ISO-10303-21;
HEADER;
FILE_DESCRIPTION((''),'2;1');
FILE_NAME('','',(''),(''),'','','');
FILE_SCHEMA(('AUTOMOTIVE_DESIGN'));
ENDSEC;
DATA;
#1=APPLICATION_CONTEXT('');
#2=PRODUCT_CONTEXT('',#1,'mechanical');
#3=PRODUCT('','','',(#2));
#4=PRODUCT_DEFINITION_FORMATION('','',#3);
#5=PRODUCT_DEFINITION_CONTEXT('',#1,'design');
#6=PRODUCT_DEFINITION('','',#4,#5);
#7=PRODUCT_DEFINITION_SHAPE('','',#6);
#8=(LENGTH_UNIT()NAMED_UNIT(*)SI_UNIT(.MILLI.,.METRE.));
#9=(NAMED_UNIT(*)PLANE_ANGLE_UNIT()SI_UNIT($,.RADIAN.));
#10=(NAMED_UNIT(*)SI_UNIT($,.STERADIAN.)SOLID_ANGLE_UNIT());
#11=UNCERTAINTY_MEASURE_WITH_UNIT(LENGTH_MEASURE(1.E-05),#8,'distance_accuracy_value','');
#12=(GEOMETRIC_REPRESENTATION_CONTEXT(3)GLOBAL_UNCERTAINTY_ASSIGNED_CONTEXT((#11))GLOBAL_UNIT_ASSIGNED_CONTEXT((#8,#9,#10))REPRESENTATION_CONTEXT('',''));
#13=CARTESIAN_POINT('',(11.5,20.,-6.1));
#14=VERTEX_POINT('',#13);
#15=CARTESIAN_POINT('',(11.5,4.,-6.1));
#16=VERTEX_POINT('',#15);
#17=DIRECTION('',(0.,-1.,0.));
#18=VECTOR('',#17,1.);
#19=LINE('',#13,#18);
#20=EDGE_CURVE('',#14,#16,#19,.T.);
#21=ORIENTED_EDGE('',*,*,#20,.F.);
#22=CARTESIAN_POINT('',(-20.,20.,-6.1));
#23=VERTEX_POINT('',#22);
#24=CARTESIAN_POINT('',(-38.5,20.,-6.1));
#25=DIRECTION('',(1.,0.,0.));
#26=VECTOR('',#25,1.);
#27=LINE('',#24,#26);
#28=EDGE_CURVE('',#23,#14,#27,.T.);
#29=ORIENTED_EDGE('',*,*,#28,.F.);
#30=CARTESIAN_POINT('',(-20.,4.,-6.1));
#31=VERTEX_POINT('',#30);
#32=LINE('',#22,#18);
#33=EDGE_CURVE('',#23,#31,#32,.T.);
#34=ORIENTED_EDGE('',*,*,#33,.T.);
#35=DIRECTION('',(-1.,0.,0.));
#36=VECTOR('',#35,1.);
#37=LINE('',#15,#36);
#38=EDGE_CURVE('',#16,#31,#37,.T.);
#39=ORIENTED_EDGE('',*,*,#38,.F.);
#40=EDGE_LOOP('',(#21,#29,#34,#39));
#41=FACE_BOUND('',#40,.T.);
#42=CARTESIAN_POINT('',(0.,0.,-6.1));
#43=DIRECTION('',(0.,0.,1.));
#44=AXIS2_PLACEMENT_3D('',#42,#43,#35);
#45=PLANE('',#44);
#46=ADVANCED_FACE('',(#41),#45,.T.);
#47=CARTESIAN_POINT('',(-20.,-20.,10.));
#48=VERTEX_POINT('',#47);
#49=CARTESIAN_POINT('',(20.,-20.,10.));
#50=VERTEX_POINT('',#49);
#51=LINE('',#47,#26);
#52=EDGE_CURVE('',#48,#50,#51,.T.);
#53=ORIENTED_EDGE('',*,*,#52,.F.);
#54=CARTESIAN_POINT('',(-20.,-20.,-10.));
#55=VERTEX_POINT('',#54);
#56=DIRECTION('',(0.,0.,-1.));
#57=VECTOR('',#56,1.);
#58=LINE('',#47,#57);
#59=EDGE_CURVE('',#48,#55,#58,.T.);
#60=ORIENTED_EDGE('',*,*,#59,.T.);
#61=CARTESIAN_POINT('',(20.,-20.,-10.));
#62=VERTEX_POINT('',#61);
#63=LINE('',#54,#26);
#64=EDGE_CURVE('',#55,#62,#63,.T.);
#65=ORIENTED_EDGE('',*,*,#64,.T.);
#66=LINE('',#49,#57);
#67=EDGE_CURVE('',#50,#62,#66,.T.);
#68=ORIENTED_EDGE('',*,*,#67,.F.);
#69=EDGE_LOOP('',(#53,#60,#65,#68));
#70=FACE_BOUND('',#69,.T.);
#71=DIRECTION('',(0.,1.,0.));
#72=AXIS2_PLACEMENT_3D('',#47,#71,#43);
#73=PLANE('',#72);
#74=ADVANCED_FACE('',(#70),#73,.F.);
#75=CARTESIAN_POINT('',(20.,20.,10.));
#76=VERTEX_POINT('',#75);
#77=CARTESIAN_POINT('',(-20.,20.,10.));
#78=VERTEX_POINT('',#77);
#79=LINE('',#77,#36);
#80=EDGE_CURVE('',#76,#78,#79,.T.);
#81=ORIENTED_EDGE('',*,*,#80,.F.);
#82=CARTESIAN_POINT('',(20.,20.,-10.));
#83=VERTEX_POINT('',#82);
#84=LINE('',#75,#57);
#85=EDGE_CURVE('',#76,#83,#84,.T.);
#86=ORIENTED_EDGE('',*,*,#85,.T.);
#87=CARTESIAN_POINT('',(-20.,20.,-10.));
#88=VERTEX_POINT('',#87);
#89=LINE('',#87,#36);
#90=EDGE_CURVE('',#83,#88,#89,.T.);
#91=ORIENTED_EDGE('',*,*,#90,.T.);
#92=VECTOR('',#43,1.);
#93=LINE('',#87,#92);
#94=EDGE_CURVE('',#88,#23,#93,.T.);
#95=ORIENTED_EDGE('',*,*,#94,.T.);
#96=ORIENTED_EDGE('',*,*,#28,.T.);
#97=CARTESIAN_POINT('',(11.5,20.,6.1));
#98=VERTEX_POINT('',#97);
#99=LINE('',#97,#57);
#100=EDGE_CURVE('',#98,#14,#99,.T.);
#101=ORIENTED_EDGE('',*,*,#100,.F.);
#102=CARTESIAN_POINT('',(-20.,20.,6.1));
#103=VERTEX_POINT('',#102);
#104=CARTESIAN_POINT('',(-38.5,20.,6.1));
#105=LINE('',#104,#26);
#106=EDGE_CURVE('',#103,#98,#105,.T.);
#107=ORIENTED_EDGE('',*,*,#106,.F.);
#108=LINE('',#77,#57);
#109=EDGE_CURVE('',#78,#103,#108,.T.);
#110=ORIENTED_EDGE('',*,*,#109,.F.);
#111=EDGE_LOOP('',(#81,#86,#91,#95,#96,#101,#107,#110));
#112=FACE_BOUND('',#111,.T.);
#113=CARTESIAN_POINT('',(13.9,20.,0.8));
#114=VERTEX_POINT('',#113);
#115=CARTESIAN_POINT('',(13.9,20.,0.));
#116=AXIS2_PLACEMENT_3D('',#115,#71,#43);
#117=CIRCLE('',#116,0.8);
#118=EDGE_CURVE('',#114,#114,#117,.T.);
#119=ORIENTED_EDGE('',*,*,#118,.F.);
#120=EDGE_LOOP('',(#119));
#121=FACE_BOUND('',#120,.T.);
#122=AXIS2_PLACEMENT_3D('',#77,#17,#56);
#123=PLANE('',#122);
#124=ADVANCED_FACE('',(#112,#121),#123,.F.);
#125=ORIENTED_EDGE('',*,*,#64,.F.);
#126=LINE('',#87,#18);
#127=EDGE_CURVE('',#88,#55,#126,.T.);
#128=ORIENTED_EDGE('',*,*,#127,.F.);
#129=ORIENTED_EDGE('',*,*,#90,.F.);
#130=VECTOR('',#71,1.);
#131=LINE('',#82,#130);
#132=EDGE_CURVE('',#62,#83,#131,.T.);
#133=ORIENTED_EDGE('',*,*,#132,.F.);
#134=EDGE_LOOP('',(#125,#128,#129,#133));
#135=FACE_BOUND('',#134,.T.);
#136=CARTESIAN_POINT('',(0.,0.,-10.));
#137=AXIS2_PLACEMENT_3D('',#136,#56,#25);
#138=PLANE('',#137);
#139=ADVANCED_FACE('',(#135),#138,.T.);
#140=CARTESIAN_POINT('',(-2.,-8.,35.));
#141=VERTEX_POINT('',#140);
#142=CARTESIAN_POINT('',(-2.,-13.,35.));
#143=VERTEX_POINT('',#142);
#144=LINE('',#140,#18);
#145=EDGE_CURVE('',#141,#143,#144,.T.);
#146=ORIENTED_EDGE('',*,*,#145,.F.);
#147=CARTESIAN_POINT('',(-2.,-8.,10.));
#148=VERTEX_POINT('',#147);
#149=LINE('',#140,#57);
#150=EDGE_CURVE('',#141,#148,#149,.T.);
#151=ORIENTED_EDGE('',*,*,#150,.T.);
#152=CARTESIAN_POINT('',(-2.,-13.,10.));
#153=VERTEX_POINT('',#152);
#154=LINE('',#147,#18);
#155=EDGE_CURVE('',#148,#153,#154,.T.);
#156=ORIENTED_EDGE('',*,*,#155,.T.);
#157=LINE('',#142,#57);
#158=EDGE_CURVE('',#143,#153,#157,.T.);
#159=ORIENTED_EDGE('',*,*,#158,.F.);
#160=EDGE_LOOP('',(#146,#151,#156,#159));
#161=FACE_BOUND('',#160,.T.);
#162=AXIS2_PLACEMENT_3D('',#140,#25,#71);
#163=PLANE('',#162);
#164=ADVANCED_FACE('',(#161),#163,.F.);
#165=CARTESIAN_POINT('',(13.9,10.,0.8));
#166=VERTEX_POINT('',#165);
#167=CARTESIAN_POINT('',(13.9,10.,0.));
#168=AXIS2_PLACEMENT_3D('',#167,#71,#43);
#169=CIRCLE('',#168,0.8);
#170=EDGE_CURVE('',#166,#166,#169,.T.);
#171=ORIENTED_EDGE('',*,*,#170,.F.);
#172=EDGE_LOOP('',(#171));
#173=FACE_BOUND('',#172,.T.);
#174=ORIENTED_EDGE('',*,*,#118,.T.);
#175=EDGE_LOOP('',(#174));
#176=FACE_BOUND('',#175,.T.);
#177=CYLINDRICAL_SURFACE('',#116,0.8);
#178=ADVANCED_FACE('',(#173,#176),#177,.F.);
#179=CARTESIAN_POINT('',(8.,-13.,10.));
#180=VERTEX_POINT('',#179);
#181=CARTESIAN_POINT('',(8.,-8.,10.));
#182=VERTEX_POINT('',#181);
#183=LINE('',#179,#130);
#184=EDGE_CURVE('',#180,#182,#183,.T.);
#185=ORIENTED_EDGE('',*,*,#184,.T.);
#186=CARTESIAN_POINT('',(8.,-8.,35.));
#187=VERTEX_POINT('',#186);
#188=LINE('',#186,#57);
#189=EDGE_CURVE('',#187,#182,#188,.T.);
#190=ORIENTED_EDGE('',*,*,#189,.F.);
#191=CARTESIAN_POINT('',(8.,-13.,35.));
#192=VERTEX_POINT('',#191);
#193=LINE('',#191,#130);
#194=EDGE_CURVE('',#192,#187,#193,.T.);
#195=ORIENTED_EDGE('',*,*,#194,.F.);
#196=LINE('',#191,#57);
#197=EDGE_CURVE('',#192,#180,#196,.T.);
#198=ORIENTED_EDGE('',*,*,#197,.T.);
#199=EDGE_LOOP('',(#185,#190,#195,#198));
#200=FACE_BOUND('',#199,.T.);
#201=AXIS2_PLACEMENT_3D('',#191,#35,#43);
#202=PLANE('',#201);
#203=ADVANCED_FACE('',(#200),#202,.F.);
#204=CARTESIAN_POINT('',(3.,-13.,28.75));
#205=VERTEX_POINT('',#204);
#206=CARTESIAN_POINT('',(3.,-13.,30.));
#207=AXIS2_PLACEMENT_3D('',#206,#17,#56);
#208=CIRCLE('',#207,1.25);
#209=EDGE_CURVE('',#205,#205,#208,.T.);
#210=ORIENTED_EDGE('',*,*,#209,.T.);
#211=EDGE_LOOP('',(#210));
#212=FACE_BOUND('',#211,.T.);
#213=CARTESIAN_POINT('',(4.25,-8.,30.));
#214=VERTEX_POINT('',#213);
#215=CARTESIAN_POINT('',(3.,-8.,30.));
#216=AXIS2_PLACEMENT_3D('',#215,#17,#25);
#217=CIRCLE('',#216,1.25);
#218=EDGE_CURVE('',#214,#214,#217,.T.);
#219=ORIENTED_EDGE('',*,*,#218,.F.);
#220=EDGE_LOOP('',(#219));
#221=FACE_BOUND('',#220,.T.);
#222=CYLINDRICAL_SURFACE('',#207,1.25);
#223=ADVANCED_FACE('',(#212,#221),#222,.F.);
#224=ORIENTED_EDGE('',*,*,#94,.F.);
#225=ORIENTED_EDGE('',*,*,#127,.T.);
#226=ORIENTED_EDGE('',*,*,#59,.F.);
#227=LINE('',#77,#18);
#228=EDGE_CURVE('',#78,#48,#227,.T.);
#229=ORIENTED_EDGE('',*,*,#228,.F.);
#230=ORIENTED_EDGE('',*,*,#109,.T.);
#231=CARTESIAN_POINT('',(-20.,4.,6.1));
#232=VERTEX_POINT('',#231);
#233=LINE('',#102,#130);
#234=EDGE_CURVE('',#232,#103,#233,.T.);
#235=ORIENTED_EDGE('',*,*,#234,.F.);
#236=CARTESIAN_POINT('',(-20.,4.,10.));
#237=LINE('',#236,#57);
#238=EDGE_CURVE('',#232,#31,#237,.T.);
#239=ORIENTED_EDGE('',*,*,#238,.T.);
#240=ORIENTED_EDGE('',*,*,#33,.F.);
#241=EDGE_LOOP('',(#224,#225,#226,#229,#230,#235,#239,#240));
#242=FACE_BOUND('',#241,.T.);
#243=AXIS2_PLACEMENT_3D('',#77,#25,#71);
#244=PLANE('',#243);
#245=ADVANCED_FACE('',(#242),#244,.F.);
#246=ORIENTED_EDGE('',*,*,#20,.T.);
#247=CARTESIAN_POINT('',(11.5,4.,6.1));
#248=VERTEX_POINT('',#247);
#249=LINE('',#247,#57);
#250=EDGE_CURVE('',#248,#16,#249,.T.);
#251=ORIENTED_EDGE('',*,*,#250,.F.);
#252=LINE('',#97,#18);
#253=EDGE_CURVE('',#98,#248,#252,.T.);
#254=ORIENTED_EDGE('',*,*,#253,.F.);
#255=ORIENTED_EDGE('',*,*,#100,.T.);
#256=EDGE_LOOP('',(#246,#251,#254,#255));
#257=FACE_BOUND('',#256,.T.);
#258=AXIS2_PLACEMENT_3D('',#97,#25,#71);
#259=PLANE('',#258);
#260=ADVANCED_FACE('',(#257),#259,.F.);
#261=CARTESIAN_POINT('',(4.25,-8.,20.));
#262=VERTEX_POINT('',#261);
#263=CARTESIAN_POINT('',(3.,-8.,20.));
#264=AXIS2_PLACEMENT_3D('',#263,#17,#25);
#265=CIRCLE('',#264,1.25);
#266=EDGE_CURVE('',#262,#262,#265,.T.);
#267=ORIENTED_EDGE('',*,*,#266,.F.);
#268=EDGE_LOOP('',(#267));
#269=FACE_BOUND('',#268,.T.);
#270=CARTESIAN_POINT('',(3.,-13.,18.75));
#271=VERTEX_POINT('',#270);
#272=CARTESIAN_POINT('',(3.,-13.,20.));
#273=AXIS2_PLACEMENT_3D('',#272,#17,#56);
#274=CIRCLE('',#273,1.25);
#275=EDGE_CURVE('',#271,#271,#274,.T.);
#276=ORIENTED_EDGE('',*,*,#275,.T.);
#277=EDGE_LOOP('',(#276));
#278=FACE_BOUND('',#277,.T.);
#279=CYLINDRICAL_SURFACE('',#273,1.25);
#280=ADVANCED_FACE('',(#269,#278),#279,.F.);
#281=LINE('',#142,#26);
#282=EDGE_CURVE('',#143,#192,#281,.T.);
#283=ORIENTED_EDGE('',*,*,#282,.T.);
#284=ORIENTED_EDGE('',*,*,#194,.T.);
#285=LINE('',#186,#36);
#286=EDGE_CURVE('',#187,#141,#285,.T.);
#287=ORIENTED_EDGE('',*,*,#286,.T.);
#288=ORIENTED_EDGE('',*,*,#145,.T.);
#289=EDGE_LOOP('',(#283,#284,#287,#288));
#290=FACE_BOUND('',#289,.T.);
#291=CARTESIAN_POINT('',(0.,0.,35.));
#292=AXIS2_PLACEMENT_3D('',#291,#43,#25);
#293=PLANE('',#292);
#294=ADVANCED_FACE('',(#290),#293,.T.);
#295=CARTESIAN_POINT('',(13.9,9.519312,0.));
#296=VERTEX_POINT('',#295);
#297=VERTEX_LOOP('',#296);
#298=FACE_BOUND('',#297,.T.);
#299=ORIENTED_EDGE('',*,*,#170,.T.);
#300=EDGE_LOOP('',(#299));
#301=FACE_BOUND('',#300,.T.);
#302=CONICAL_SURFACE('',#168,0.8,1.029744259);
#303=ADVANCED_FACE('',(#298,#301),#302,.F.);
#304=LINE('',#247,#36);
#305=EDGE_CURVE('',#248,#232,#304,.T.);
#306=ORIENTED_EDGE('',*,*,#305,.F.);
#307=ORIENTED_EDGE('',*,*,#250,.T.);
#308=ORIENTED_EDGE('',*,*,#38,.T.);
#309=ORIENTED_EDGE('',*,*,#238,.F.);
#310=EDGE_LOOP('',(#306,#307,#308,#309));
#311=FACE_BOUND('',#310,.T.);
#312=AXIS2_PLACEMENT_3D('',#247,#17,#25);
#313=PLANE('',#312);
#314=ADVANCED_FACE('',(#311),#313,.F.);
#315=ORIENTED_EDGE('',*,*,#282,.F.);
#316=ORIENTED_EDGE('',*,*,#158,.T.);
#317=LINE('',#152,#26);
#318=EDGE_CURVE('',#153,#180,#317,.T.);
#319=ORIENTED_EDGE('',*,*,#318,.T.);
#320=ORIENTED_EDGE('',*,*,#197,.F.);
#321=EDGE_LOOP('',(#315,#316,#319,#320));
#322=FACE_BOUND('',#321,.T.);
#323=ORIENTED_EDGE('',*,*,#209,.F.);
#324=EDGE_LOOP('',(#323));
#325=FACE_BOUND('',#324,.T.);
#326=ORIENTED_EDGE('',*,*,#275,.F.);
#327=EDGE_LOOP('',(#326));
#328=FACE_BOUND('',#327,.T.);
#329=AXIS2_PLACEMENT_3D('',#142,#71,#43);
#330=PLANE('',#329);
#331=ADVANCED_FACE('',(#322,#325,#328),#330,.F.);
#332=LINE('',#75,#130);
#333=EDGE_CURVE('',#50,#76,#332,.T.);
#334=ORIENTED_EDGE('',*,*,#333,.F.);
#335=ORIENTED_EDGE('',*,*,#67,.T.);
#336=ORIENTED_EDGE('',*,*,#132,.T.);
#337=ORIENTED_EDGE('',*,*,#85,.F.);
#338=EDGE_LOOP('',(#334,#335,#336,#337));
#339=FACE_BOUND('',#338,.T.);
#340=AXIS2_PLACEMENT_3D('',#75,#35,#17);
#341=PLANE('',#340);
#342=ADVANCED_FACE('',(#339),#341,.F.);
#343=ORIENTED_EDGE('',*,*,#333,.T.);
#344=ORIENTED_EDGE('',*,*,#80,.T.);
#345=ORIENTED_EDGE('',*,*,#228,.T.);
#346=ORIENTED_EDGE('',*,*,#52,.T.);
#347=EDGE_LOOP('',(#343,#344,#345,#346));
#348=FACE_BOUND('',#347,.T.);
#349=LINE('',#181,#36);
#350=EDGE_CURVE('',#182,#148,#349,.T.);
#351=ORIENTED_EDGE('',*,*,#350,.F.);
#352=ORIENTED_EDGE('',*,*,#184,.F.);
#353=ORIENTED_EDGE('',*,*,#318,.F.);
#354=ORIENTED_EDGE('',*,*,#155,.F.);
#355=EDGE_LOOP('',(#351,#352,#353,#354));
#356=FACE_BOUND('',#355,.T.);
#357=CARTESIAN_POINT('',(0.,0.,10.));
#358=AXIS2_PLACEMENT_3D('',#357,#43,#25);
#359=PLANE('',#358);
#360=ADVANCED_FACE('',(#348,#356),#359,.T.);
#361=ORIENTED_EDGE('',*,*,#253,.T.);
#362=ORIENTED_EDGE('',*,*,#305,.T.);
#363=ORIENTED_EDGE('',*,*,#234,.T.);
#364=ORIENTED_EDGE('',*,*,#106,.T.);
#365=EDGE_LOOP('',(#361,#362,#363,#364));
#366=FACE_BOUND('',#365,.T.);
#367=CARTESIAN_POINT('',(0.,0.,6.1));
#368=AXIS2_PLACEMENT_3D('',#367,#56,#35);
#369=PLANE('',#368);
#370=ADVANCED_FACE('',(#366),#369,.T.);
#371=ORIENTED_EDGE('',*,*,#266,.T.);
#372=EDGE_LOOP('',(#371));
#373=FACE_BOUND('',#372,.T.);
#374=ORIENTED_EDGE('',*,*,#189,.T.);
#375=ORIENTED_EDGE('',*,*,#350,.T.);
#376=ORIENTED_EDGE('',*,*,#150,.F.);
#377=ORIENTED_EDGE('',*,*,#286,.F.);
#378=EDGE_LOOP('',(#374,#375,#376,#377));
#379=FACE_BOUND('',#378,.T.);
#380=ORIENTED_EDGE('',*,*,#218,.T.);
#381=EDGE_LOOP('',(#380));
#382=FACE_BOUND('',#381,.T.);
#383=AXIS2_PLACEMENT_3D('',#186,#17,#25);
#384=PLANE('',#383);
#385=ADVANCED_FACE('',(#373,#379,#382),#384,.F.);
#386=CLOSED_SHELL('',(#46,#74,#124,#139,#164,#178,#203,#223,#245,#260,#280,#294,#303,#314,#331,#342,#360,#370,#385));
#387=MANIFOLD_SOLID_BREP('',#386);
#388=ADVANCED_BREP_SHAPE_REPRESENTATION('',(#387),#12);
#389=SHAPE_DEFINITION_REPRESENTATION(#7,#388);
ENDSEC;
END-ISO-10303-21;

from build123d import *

# Parameters (mm, degrees)
SKETCH_2_W          = 40
SKETCH_2_H          = 40
EXTRUDE_1_DEPTH     = 10
SKETCH_3_W          = 50
SKETCH_3_H          = 16
CUT_EXTRUDE_1_DEPTH = 6.1
M2X0_4_1_D          = 1.6
M2X0_4_1_DEPTH      = 10
M2X0_4_1_TIP        = 0.480688495
SKETCH_13_W         = 10
SKETCH_13_H         = 5
EXTRUDE_5_DEPTH     = 25
M3X0_5_2_D          = 2.5
M3X0_5_2_DEPTH      = 8.5
M3X0_5_2_TIP        = 0.751075774


with BuildPart() as part:
    # ｽｹｯﾁ2 → ﾎﾞｽ - 押し出し1 (new body)
    with BuildSketch(Plane.XY):
        Rectangle(SKETCH_2_W, SKETCH_2_H)
    extrude_1 = extrude(amount=EXTRUDE_1_DEPTH)

    # ｽｹｯﾁ3 → ｶｯﾄ - 押し出し1 (cut)
    with BuildSketch(Plane.XY):
        with Locations((-13.5, 12)):
            Rectangle(SKETCH_3_W, SKETCH_3_H)
    cut_extrude_1 = extrude(amount=CUT_EXTRUDE_1_DEPTH, mode=Mode.SUBTRACT)

    # ﾐﾗｰ1: ﾎﾞｽ - 押し出し1, ｶｯﾄ - 押し出し1 across plane
    add(extrude_1.mirror(Plane.XY))
    add(cut_extrude_1.mirror(Plane.XY), mode=Mode.SUBTRACT)

    # M2x0.4 ねじ穴1
    with Locations(Plane(origin=(0, 20, 0), x_dir=(1, 0, 0), z_dir=(0, 1, 0))):
        with Locations((13.9, 0), (-13.9, 0)):
            Hole(M2X0_4_1_D / 2, depth=M2X0_4_1_DEPTH)
            with Locations((0, 0, -(M2X0_4_1_DEPTH + M2X0_4_1_TIP / 2))):  # 118° drill point
                Cone(0, M2X0_4_1_D / 2, M2X0_4_1_TIP, mode=Mode.SUBTRACT)

    # ｽｹｯﾁ13 → ﾎﾞｽ - 押し出し5 (add)
    with BuildSketch(Plane.XY.offset(10)):
        with Locations((3, -10.5)):
            Rectangle(SKETCH_13_W, SKETCH_13_H)
    extrude(amount=EXTRUDE_5_DEPTH)

    # M3x0.5 ねじ穴2
    with Locations(Plane(origin=(0, -13, 0), x_dir=(-1, 0, 0), z_dir=(0, -1, 0))):
        with Locations((-3, -20), (-3, -30)):
            Hole(M3X0_5_2_D / 2, depth=M3X0_5_2_DEPTH)
            with Locations((0, 0, -(M3X0_5_2_DEPTH + M3X0_5_2_TIP / 2))):  # 118° drill point
                Cone(0, M3X0_5_2_D / 2, M3X0_5_2_TIP, mode=Mode.SUBTRACT)


solid = part.part
